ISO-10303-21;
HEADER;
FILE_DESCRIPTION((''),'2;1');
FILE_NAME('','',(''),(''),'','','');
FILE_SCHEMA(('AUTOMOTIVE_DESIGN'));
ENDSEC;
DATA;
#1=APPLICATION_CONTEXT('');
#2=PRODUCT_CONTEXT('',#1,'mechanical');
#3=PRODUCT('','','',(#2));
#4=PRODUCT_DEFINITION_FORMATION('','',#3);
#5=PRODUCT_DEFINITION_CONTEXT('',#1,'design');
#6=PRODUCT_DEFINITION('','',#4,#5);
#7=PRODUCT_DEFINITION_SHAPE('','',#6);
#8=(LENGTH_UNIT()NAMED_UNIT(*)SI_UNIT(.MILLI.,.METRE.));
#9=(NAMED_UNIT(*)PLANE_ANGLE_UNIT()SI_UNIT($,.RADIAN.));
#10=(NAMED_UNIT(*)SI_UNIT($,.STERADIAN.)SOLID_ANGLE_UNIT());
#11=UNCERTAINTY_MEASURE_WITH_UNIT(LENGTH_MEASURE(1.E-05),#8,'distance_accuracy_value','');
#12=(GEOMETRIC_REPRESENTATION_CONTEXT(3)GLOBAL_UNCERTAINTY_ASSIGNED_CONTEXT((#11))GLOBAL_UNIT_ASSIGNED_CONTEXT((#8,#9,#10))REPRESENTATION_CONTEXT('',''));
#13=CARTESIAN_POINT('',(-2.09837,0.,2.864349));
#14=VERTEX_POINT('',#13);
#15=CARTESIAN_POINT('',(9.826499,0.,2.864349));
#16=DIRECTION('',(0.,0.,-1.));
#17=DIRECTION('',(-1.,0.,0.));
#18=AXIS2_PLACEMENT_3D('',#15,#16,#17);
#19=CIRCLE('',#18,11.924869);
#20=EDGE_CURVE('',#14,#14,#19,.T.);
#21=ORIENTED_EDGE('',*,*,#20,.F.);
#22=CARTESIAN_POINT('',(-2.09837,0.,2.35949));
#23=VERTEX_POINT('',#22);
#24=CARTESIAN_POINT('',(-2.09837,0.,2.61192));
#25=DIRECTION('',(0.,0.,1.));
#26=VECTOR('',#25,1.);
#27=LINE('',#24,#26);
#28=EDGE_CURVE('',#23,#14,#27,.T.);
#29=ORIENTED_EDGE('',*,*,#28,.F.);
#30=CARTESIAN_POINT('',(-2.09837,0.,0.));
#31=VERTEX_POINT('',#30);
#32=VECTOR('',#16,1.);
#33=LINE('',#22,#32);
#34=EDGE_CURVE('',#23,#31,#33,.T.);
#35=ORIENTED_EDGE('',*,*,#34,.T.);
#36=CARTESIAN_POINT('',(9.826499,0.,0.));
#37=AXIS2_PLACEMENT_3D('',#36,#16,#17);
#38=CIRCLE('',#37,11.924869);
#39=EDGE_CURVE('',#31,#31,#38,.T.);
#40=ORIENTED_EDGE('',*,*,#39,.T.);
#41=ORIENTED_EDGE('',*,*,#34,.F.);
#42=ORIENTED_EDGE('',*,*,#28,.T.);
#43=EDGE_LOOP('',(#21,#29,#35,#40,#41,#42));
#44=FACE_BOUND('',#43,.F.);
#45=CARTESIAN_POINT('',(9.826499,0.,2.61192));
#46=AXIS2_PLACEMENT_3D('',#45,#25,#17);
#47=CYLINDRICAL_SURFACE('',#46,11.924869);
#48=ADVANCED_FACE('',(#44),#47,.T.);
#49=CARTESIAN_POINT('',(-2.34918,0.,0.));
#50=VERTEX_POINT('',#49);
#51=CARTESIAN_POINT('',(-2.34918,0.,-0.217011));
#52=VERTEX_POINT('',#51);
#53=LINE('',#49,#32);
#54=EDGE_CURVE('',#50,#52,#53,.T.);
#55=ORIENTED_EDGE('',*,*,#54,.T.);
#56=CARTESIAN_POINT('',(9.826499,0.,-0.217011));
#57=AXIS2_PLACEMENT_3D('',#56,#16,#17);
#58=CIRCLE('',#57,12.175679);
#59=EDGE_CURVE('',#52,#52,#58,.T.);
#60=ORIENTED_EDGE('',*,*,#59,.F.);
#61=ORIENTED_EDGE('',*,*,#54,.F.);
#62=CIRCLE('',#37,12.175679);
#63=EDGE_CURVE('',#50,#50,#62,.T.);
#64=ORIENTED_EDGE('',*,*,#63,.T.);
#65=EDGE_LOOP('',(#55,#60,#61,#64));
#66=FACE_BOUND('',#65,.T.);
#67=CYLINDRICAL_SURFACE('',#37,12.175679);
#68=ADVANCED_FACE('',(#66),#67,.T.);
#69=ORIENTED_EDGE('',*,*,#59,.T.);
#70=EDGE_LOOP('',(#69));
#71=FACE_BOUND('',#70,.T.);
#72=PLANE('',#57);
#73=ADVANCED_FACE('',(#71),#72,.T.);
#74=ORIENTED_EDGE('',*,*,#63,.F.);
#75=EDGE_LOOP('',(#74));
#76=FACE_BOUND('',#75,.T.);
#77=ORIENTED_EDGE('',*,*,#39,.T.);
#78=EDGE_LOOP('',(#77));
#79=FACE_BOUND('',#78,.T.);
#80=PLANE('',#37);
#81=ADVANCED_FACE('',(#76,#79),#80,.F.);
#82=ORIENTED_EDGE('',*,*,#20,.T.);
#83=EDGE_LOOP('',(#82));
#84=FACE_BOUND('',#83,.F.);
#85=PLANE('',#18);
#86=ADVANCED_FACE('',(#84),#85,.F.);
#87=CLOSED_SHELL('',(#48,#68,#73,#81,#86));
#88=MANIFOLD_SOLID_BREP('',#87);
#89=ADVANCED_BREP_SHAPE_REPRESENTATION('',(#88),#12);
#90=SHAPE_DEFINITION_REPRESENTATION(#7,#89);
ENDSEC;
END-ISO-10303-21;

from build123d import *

# Parameters (mm, degrees)
F1_W = 11.9248691481
F1_H = 0.5048592575


with BuildPart() as f2:
    # F1 (on face) → F2 (revolve)
    with BuildSketch(Plane.XZ):
        Polygon((-2.3491799366, -0.2170112421), (9.8264990374, -0.2170112421), (9.8264990374, 2.3594901431), (-2.0983701106, 2.3594901431), (-2.0983701106, 0), (-2.3491799366, 0), align=None)
        with Locations((3.8640644634, 2.6119197719)):
            Rectangle(F1_W, F1_H)
    revolve(axis=Axis((9.8264990374, 0, 1.0712394505), (0, 0, -1)))


solid = f2.part
